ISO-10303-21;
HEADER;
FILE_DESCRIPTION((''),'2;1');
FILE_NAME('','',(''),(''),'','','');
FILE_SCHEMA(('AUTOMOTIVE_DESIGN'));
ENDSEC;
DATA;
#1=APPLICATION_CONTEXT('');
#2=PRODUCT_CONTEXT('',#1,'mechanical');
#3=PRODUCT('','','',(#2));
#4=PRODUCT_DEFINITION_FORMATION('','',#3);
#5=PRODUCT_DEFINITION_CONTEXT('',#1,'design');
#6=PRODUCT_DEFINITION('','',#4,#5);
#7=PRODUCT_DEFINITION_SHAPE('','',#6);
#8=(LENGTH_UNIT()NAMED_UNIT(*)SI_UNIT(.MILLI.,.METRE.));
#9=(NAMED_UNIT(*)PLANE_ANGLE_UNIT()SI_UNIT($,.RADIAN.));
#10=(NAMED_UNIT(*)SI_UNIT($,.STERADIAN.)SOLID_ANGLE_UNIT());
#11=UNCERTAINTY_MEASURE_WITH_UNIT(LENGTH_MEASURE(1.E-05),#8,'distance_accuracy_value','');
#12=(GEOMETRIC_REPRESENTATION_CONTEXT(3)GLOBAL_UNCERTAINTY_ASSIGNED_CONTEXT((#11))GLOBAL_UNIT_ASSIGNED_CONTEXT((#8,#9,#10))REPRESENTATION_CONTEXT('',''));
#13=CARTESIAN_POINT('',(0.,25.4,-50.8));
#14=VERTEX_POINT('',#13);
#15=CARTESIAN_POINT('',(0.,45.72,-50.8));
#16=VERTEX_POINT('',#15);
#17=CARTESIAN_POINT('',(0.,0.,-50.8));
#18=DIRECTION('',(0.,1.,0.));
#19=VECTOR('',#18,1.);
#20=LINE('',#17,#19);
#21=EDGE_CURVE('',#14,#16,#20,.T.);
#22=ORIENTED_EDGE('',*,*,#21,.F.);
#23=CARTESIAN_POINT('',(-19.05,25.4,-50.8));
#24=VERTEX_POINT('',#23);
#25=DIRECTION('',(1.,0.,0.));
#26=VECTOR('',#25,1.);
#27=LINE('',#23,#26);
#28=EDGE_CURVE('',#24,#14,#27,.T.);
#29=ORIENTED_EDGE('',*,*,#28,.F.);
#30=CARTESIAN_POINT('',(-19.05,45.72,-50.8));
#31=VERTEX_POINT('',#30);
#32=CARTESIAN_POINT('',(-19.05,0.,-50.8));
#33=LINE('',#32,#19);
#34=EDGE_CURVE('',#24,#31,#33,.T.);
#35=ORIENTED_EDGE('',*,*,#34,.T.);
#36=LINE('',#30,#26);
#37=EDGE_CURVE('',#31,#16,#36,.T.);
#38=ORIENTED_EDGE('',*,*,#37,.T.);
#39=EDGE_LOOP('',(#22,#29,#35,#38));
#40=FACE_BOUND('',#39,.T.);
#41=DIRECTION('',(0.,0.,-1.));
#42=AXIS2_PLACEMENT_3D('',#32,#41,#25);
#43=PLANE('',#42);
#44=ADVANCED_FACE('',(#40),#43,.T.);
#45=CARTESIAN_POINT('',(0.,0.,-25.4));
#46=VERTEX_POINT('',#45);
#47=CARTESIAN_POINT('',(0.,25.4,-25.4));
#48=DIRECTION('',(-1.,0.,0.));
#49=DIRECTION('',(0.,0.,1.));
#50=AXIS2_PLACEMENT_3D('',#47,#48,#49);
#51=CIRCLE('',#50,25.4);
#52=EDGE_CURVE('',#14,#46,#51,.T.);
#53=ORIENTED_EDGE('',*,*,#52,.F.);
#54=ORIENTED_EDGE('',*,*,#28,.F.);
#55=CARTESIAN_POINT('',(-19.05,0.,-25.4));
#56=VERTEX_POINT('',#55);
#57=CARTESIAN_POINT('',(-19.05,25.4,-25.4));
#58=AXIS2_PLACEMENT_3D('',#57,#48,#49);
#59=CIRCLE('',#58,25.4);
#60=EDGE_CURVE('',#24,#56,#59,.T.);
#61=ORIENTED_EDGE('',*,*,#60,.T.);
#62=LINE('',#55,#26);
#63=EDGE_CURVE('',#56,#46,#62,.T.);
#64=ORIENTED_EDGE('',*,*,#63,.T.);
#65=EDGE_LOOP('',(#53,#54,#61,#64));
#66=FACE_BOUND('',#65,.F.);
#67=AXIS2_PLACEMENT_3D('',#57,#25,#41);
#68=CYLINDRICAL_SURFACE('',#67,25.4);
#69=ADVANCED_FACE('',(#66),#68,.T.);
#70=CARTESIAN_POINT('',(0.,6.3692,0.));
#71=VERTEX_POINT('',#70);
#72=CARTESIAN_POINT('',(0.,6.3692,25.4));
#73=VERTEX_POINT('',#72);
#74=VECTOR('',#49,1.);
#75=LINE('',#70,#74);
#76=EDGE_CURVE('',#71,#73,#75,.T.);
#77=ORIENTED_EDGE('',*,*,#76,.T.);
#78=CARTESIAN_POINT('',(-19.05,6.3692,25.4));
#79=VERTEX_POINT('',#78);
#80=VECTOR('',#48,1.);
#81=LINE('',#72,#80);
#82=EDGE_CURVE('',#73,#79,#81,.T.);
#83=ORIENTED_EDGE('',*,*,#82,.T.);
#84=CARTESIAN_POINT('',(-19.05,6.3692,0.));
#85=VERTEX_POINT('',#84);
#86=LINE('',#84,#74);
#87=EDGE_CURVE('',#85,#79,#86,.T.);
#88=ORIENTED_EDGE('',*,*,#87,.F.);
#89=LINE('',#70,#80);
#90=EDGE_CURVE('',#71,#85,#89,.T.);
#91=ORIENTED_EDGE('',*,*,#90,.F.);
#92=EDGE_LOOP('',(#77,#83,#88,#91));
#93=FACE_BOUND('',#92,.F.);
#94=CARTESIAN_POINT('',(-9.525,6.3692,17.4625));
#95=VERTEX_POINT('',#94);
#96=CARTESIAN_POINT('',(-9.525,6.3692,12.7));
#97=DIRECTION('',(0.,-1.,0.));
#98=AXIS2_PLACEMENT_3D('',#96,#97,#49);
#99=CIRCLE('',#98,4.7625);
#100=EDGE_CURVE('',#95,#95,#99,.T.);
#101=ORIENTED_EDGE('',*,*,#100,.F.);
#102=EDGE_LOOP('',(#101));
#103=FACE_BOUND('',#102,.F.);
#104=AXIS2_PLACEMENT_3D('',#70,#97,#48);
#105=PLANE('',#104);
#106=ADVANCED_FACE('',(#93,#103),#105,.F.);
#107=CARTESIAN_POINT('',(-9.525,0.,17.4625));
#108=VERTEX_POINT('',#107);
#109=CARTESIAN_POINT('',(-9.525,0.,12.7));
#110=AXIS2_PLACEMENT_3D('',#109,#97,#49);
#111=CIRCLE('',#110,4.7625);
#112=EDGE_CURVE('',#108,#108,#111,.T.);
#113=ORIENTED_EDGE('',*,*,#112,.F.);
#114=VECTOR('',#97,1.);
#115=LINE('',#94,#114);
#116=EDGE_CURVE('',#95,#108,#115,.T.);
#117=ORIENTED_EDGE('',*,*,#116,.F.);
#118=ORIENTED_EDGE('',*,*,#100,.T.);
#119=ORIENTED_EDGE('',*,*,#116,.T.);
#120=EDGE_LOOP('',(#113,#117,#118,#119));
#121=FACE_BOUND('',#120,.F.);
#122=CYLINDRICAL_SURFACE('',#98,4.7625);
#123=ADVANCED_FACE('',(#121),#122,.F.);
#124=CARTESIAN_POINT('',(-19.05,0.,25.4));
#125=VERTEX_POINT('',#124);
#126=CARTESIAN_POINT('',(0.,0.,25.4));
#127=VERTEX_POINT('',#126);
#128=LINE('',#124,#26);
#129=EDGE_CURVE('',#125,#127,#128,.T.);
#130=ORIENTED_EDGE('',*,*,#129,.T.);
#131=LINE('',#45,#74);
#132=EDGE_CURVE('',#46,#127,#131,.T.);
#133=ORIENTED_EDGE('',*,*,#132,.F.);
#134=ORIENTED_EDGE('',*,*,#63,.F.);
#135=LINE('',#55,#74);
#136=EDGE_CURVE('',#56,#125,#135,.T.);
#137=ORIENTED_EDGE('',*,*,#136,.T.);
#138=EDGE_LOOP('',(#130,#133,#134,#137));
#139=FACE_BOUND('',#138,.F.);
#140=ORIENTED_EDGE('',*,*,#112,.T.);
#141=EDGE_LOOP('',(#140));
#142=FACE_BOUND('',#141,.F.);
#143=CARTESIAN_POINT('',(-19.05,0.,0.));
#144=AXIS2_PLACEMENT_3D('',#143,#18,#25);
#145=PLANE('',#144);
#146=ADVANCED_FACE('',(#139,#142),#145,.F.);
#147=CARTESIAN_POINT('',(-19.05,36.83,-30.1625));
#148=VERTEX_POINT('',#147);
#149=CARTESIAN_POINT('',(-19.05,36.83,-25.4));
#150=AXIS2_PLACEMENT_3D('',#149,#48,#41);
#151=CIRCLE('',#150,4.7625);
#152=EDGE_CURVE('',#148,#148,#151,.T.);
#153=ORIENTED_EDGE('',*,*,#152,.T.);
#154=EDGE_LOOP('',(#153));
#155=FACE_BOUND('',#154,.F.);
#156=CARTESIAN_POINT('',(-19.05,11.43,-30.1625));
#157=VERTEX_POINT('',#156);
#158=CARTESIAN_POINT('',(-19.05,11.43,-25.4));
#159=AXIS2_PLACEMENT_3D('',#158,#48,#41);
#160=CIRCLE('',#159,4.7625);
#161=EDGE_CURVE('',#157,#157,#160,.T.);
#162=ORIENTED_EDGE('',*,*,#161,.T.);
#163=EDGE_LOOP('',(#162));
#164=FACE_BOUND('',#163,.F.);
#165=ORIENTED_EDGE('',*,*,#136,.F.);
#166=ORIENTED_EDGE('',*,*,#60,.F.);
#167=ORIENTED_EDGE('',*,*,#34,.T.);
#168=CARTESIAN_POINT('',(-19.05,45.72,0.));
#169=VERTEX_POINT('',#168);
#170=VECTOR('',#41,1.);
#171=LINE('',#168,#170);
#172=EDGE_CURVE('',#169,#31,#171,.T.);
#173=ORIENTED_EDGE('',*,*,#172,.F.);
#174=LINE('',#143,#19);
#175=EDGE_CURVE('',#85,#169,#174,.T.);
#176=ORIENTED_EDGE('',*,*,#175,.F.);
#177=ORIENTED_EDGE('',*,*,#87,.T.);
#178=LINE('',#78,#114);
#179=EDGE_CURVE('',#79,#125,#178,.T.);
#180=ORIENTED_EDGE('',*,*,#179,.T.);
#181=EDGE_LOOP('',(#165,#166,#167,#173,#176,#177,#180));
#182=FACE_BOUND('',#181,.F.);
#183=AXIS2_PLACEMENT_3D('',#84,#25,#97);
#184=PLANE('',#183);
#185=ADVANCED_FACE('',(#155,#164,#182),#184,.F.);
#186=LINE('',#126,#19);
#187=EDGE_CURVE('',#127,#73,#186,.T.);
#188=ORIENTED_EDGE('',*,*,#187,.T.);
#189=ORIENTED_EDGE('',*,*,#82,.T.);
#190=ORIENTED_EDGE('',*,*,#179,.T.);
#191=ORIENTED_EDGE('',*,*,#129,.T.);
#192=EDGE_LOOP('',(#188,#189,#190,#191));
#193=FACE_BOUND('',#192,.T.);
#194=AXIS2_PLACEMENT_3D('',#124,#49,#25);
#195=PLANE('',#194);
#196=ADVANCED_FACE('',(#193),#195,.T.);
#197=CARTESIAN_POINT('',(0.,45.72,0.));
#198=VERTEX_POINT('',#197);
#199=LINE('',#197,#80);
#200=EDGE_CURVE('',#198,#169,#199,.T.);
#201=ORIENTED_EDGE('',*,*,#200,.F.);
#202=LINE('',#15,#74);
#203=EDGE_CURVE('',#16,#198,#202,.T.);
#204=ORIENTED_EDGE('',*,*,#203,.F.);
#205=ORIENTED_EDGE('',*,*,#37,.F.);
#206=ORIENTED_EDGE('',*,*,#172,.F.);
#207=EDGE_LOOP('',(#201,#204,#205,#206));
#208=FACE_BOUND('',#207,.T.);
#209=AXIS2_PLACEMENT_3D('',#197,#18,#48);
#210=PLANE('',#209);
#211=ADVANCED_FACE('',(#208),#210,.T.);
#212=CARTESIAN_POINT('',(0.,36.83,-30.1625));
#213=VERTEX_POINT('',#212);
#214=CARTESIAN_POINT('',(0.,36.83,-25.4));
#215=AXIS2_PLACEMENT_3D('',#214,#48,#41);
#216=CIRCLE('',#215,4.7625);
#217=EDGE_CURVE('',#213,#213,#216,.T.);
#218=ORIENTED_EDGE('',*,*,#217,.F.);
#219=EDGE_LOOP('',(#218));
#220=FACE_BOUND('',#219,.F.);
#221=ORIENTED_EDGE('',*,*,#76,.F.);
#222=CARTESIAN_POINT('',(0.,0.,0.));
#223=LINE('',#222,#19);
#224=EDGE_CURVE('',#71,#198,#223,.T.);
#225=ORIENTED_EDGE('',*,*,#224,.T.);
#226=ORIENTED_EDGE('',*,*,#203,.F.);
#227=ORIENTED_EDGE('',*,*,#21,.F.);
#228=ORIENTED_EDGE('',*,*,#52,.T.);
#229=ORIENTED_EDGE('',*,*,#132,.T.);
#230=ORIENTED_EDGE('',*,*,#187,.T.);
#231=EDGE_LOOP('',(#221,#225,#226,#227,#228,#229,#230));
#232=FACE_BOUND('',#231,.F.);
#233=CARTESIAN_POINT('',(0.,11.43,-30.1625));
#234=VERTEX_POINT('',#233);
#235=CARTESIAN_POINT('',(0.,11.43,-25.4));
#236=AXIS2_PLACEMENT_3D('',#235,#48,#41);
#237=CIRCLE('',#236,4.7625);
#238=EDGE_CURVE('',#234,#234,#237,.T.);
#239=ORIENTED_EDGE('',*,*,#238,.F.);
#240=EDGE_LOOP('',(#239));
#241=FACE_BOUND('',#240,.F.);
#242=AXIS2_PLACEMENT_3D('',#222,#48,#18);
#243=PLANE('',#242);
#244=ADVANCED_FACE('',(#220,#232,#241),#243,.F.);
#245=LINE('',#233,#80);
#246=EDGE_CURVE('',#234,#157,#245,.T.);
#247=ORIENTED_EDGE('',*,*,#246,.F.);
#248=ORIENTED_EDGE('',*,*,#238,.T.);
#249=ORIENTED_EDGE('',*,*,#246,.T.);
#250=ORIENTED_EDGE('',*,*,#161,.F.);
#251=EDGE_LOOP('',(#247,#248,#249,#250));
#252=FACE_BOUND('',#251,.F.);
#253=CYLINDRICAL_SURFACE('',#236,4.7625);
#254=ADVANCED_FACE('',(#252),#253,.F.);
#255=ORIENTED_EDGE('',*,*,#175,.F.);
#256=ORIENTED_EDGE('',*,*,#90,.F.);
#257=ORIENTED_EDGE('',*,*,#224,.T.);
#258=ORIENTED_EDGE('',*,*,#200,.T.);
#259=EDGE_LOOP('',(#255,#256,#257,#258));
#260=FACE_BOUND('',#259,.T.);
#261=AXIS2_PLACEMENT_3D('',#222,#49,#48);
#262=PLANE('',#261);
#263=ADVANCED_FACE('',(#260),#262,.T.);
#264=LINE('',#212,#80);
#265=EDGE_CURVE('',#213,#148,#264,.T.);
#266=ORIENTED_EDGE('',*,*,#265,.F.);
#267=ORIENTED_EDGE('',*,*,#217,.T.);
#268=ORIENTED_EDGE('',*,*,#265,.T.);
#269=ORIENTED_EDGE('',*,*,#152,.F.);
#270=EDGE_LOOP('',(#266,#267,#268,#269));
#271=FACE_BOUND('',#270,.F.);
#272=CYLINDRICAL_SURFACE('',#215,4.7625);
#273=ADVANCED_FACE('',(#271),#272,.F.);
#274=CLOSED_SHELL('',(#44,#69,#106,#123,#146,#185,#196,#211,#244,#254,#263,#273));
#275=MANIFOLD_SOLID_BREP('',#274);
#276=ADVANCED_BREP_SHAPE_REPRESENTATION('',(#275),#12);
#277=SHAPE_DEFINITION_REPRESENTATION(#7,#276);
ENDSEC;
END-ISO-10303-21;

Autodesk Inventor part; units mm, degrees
ref_plane "YZ Plane" through (0, 0, 0) normal (1, 0, 0) x (0, 1, 0)
ref_plane "XZ Plane" through (0, 0, 0) normal (0, 1, 0) x (-1, 0, 0)
ref_plane "XY Plane" through (0, 0, 0) normal (0, 0, 1) x (1, 0, 0)
sketch "Sketch1" plane through (0, 0, 0) normal (0, 1, 0) x (-1, 0, 0)
  line L0 (0, 0) -> (19.05, 0)
  line L1 (19.05, 0) -> (19.05, -50.8)
  line L2 (19.05, -50.8) -> (0, -50.8)
  line L3 (0, -50.8) -> (0, 0)
  dimension "d0" = 19.05
  dimension "d1" = 50.8
extrude "Extrusion1" add sketch "Sketch1" along normal blind 45.72
fillet "Fillet1" radius 25.4 1 edges at (-9.525, 0, -50.8)
sketch "Sketch2" plane through (0, 0, 0) normal (1, 0, 0) x (0, 0, -1)
  point P0 (0, 0)
sketch "Sketch4" plane through (-19.05, 0, 0) normal (0, 0, 1) x (1, 0, 0)
  line L0 (0, 0) -> (19.05, 0)
  line L1 (19.05, 0) -> (19.05, 6.3692)
  line L2 (19.05, 6.3692) -> (0, 6.3692)
  line L3 (0, 6.3692) -> (0, 0)
extrude "Extrusion3" add sketch "Sketch4" along normal blind 25.4
hole "Hole2" at (-9.525, 6.3692, 12.7) direction (0, -1, 0) diameter 9.525 end through all
hole "Hole3" at (0, 36.83, -25.4) direction (-1, 0, 0) diameter 9.525 end through all
pattern_linear "Rectangular Pattern1" count 2 spacing 25.4 along (0, -1, 0) of "Hole3"
properties part number "boxbeam gusset"
